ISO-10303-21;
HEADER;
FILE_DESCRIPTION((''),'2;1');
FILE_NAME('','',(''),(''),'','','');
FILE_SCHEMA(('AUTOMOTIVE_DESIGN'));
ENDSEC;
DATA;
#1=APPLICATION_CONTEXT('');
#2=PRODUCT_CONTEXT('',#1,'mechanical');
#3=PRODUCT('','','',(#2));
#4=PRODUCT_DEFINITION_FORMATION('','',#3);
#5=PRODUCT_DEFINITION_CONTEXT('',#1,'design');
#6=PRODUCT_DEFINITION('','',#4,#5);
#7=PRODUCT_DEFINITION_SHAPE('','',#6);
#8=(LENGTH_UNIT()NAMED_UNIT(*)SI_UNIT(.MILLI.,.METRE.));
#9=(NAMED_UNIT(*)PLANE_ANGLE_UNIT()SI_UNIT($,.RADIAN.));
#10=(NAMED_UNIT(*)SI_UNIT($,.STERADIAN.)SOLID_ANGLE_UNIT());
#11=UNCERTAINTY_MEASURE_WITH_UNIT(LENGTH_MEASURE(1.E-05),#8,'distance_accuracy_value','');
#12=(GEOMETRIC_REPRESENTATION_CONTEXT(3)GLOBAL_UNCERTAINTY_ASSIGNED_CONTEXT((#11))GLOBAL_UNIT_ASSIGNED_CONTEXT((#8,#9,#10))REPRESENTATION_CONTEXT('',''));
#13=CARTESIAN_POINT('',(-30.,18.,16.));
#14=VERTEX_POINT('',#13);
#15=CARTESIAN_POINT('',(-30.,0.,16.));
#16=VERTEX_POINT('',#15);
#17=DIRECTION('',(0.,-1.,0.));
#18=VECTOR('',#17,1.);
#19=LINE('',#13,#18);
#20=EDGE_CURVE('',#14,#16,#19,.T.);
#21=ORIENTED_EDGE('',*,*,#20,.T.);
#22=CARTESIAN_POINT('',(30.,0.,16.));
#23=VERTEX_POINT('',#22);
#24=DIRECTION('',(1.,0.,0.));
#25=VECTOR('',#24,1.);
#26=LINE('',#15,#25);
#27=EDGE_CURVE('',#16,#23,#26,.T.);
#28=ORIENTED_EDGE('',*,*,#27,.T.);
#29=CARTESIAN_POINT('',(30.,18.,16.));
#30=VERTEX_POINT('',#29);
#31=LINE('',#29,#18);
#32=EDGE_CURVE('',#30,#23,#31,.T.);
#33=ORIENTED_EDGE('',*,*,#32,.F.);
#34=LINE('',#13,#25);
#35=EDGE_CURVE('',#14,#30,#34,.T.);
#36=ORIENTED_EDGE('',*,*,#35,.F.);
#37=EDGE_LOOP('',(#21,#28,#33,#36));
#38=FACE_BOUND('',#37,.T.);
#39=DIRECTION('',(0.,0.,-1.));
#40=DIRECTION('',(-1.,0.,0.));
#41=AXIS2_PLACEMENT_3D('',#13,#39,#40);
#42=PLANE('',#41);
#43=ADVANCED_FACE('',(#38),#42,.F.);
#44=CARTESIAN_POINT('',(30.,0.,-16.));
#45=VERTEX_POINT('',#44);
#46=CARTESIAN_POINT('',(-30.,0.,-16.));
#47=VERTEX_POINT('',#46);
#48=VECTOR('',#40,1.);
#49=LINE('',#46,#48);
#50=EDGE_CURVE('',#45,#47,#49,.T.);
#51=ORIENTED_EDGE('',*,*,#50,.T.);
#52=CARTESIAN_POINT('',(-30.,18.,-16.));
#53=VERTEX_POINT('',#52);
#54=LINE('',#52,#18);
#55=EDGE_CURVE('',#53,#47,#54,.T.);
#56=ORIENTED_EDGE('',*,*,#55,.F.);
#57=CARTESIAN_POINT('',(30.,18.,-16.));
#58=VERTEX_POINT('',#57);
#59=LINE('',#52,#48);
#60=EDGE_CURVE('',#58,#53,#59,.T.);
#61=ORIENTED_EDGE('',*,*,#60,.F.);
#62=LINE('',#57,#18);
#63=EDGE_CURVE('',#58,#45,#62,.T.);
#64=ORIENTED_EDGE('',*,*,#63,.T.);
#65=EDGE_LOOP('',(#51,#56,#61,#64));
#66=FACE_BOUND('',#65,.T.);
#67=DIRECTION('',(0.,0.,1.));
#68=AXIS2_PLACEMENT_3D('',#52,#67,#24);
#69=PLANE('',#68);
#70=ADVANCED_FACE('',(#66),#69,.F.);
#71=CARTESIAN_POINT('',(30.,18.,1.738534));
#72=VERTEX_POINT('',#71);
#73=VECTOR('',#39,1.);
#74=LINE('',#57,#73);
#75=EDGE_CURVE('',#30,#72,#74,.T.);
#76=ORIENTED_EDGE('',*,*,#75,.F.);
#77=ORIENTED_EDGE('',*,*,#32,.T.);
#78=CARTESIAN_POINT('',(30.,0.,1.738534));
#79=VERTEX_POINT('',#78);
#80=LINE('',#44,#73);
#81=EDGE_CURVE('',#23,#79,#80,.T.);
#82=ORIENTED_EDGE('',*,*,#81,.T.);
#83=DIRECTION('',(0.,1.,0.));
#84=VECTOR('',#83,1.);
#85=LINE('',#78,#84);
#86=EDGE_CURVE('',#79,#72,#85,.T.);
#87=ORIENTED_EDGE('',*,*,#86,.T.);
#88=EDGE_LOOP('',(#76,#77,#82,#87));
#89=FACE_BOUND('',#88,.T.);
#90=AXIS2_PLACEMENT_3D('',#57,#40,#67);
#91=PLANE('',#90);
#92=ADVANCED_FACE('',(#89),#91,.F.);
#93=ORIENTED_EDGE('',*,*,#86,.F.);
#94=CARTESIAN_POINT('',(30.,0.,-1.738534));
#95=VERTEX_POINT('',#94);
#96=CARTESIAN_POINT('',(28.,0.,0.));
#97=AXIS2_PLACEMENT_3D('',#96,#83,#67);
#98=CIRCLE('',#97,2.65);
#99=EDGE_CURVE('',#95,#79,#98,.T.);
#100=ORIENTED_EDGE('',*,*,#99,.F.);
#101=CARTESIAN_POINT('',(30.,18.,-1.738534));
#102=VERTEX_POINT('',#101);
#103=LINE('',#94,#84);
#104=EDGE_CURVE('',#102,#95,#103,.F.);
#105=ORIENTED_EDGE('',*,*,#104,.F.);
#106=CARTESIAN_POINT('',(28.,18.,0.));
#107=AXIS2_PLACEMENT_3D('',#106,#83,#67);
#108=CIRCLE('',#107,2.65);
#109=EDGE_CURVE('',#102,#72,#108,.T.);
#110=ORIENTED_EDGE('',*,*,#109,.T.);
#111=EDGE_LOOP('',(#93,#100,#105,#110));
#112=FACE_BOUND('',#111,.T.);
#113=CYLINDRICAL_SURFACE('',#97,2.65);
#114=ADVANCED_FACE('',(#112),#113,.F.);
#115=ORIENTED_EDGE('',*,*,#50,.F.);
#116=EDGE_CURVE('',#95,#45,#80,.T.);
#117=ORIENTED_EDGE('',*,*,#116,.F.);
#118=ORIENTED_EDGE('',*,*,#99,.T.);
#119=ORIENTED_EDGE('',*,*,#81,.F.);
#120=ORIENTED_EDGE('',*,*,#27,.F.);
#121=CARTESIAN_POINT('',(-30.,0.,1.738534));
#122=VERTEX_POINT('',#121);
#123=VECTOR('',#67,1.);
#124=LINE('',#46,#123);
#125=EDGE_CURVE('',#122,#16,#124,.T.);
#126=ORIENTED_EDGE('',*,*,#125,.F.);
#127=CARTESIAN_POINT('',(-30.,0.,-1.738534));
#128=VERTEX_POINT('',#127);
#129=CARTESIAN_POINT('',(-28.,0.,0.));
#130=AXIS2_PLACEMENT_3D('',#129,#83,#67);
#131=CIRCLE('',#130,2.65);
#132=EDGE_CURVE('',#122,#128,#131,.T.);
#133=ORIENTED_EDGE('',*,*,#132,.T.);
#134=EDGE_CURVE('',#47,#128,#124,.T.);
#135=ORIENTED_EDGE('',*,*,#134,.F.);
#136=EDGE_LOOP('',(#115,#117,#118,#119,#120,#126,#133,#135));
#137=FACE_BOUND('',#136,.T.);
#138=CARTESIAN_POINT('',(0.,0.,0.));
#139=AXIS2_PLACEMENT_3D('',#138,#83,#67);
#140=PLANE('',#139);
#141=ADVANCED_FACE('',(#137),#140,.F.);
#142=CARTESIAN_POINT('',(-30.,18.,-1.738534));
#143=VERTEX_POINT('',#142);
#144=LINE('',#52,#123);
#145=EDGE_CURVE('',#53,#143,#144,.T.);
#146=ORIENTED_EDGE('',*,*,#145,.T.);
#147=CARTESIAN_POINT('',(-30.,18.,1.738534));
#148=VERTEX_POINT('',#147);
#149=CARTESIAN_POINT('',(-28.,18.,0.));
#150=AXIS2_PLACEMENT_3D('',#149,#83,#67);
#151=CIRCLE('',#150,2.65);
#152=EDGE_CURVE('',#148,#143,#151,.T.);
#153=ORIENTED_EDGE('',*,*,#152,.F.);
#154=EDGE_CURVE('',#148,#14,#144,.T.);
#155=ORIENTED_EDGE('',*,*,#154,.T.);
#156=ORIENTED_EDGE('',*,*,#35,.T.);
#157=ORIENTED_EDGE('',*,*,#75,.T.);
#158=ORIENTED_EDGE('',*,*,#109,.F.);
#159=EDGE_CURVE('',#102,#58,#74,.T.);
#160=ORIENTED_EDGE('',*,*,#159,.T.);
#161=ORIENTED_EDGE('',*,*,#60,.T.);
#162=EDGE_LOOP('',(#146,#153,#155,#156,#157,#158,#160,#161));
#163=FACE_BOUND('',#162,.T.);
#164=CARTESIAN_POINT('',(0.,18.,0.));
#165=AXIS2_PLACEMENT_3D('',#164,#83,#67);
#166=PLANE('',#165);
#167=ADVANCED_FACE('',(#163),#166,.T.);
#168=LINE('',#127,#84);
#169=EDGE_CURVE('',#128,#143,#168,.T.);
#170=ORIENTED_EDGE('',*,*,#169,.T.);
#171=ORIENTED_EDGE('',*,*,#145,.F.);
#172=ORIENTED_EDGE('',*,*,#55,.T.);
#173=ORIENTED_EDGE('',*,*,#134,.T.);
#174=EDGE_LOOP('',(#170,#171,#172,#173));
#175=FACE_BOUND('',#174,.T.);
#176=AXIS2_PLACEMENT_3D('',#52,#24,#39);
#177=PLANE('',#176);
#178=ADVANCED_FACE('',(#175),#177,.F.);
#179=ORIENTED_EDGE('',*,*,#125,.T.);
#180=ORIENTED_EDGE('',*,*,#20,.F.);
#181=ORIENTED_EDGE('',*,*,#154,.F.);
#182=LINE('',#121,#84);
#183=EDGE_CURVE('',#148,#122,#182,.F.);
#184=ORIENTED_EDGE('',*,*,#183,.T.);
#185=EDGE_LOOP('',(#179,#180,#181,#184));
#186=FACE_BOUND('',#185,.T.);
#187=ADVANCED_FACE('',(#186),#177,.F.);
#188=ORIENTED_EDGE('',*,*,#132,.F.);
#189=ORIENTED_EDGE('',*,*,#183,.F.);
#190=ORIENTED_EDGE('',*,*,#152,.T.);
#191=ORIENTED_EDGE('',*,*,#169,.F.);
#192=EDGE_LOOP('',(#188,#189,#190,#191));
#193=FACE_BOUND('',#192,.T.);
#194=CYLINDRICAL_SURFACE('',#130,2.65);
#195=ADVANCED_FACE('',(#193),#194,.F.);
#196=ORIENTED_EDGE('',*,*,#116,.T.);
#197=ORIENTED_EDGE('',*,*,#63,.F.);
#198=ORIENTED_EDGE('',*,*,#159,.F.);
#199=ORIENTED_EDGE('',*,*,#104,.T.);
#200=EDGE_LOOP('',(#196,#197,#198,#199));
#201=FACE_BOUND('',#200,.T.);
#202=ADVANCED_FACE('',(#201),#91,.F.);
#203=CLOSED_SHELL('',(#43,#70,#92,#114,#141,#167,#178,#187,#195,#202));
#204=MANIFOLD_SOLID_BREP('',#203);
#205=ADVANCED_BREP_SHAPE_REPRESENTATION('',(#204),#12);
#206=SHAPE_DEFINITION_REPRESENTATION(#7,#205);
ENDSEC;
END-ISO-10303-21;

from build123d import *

# Parameters (mm, degrees)
SKETCH_1_W          = 60
SKETCH_1_H          = 32
EXTRUDE_1_DEPTH     = 18
SKETCH_2_R          = 2.65
CUT_EXTRUDE_1_DEPTH = 19


with BuildPart() as part:
    # 草图1 → 凸台-拉伸1 (new body)
    with BuildSketch(Plane(origin=(0, 0, 0), x_dir=(1, 0, 0), z_dir=(0, 1, 0))):
        Rectangle(SKETCH_1_W, SKETCH_1_H)
    extrude(amount=EXTRUDE_1_DEPTH)

    # 草图2 → 切除-拉伸1 (cut, through all)
    with BuildSketch(Plane(origin=(0, 18, 0), x_dir=(1, 0, 0), z_dir=(0, 1, 0))):
        with Locations((-28, 0)):
            Circle(SKETCH_2_R)
        with Locations((28, 0)):
            Circle(SKETCH_2_R)
    extrude(amount=-CUT_EXTRUDE_1_DEPTH, mode=Mode.SUBTRACT)


solid = part.part
